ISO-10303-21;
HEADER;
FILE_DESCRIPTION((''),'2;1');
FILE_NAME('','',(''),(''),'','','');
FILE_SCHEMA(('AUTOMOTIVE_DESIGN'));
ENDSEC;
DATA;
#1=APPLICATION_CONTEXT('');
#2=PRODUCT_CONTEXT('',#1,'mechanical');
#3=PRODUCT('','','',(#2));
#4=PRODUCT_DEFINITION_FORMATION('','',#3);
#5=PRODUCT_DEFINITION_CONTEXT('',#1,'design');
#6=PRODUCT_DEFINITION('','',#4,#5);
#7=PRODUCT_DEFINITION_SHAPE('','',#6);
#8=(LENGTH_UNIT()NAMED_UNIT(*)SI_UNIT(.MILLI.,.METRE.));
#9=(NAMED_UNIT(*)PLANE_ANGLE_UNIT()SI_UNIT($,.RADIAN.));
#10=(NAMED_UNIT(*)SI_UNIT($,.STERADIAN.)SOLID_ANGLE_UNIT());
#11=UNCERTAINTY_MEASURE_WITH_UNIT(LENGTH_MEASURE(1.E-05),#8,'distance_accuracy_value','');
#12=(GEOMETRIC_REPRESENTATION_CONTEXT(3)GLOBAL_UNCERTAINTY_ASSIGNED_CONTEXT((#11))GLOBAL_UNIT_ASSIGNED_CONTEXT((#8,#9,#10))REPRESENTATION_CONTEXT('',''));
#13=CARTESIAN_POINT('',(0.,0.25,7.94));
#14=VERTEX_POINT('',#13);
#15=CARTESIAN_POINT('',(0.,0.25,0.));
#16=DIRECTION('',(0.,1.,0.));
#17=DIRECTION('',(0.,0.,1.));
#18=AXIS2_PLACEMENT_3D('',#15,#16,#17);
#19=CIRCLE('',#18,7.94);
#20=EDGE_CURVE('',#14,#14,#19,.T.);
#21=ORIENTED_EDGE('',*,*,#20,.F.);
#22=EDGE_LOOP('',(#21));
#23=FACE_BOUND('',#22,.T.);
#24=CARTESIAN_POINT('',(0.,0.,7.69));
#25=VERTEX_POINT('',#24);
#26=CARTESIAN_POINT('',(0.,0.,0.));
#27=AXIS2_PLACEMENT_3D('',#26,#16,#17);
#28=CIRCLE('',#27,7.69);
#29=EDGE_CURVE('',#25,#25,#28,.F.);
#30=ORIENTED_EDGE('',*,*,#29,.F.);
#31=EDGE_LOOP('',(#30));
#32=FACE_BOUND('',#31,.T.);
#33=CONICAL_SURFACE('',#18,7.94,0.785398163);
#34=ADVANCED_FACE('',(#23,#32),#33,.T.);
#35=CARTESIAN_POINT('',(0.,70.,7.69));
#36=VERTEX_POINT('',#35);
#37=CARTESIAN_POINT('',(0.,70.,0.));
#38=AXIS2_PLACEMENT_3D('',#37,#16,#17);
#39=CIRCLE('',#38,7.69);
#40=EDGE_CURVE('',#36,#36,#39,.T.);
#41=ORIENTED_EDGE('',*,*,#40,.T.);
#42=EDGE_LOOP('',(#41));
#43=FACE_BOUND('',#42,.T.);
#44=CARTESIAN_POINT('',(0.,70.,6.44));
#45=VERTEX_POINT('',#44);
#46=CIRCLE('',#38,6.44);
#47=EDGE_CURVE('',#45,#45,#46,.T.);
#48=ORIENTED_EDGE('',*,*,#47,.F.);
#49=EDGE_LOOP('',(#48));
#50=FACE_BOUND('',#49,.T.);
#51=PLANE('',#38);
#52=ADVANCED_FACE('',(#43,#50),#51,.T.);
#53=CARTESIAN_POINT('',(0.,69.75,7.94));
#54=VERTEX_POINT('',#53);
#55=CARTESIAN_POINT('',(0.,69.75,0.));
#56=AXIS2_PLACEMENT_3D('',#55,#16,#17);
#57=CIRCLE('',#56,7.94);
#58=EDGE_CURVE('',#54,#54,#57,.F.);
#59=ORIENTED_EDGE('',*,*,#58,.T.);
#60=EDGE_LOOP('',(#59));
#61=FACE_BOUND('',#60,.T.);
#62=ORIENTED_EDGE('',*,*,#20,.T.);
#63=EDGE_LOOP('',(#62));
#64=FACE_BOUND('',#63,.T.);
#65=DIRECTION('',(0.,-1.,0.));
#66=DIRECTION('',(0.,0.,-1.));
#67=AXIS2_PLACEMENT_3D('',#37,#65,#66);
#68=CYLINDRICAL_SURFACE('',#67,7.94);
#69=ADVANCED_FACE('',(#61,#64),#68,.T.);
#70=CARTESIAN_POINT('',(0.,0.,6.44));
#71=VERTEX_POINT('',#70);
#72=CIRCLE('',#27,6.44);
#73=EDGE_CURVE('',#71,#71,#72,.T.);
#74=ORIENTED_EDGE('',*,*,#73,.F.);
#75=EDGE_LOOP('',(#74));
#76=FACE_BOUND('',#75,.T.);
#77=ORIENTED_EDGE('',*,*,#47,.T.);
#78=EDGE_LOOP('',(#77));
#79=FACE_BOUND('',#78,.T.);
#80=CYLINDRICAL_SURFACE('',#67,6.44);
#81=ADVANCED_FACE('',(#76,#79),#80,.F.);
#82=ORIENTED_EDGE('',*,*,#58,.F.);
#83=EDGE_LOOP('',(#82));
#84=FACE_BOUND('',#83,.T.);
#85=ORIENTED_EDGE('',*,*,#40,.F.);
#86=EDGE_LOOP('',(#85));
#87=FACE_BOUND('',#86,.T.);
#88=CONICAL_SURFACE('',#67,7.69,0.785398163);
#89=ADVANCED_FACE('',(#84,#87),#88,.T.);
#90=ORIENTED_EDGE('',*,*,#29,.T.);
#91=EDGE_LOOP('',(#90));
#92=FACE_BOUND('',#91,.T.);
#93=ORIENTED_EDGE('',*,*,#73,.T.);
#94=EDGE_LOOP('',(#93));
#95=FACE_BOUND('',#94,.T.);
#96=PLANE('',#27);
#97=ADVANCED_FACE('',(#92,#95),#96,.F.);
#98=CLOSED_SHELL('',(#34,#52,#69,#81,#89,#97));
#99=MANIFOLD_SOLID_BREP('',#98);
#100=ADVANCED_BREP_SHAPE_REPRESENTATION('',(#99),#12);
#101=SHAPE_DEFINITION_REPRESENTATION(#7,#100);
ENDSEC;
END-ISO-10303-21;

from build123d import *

# Parameters (mm, degrees)
SKETCH1_R           = 7.94
SKETCH1_R_2         = 6.44
BOSS_EXTRUDE1_DEPTH = 70
CHAMFER1_SIZE       = 0.25


with BuildPart() as part:
    # Sketch1 → Boss-Extrude1 (new body)
    with BuildSketch(Plane(origin=(0, 0, 0), x_dir=(1, 0, 0), z_dir=(0, 1, 0))):
        Circle(SKETCH1_R)
        Circle(SKETCH1_R_2, mode=Mode.SUBTRACT)
    extrude(amount=BOSS_EXTRUDE1_DEPTH)

    # Chamfer1
    chamfer1_edges = [part.edges().sort_by_distance(p)[0] for p in [
        (-7.94, 0, 0),
        (-7.94, 70, 0),
    ]]
    chamfer(chamfer1_edges, length=CHAMFER1_SIZE)


solid = part.part
